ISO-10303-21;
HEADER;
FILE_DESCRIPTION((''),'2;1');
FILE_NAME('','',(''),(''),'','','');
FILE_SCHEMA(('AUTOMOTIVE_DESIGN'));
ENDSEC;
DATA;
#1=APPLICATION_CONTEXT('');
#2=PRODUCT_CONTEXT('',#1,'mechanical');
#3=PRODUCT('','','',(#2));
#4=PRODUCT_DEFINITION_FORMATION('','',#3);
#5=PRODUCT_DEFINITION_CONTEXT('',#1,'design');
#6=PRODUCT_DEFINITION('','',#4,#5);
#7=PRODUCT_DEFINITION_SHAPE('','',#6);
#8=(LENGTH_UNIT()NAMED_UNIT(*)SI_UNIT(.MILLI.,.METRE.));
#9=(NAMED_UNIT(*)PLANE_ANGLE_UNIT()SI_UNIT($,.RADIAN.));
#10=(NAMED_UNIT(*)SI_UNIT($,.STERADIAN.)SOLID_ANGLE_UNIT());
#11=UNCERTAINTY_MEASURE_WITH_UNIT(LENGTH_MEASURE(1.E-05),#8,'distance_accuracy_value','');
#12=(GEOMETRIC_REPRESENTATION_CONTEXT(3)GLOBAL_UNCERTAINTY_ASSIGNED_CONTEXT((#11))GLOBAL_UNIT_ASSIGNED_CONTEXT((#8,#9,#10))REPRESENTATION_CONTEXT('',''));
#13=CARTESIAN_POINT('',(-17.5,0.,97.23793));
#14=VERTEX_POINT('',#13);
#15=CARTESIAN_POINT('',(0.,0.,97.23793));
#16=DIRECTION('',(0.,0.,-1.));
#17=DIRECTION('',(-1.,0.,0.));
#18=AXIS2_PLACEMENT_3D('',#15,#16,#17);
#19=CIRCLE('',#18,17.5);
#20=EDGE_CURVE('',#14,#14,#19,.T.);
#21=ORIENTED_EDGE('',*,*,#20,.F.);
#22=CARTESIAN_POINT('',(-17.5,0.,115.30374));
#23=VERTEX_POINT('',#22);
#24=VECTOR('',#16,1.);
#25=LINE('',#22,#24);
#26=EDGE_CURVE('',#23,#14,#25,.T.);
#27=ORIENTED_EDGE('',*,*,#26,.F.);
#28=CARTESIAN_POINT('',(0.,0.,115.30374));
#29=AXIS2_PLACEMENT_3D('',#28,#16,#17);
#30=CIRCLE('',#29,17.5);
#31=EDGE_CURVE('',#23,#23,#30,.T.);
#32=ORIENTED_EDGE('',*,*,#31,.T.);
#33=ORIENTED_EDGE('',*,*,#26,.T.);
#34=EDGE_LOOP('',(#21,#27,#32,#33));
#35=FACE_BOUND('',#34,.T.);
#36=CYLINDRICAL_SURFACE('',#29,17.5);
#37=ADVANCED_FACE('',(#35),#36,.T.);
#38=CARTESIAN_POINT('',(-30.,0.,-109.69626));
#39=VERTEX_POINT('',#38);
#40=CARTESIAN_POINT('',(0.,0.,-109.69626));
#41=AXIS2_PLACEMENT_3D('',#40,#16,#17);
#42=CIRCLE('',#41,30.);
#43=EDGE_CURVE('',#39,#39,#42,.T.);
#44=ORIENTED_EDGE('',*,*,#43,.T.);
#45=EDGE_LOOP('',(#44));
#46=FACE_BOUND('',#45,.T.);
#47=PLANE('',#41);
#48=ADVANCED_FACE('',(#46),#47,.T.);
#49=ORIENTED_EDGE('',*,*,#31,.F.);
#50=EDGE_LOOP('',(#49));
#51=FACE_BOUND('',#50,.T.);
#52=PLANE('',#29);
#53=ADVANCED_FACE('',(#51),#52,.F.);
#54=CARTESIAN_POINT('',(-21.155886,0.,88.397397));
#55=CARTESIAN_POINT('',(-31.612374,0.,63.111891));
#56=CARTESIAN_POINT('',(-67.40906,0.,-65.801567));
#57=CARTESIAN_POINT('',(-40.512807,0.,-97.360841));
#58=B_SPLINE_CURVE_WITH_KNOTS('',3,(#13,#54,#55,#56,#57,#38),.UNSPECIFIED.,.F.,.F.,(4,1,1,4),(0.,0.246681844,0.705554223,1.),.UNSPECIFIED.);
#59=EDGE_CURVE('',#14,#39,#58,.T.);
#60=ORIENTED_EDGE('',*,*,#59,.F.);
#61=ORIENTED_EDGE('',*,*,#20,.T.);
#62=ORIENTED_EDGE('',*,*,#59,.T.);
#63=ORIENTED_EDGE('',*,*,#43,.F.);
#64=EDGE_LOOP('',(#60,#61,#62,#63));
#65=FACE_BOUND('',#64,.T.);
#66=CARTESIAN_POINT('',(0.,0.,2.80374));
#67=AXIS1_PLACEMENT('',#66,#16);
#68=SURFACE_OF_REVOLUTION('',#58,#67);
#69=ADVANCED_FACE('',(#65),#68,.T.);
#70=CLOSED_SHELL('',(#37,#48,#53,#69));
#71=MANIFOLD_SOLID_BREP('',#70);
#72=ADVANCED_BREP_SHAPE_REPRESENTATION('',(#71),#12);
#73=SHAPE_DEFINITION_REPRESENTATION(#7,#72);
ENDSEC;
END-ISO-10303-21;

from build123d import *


with BuildPart() as f1:
    # F0 (on Front) → F1 (revolve)
    with BuildSketch(Plane.XZ):
        with BuildLine():
            Line((0, -109.6962599303), (0, 115.3037400697))
            Line((0, 115.3037400697), (-17.5, 115.3037400697))
            Line((-17.5, 115.3037400697), (-17.5, 97.2379297018))
            add(Edge.make_bspline(
                [(-17.5, 97.2379297018), (-21.1558859349, 88.3973969691), (-31.6123740217, 63.1118911177), (-67.4090599141, -65.8015670317), (-40.5128067064, -97.3608411056), (-30, -109.6962599303)],
                knots=[0, 0, 0, 0, 0.2466818439, 0.7055542234, 1, 1, 1, 1], degree=3))
            Line((-30, -109.6962599303), (0, -109.6962599303))
        make_face()
    revolve(axis=Axis((0, 0, 2.8037400697), (0, 0, -1)))


solid = f1.part
